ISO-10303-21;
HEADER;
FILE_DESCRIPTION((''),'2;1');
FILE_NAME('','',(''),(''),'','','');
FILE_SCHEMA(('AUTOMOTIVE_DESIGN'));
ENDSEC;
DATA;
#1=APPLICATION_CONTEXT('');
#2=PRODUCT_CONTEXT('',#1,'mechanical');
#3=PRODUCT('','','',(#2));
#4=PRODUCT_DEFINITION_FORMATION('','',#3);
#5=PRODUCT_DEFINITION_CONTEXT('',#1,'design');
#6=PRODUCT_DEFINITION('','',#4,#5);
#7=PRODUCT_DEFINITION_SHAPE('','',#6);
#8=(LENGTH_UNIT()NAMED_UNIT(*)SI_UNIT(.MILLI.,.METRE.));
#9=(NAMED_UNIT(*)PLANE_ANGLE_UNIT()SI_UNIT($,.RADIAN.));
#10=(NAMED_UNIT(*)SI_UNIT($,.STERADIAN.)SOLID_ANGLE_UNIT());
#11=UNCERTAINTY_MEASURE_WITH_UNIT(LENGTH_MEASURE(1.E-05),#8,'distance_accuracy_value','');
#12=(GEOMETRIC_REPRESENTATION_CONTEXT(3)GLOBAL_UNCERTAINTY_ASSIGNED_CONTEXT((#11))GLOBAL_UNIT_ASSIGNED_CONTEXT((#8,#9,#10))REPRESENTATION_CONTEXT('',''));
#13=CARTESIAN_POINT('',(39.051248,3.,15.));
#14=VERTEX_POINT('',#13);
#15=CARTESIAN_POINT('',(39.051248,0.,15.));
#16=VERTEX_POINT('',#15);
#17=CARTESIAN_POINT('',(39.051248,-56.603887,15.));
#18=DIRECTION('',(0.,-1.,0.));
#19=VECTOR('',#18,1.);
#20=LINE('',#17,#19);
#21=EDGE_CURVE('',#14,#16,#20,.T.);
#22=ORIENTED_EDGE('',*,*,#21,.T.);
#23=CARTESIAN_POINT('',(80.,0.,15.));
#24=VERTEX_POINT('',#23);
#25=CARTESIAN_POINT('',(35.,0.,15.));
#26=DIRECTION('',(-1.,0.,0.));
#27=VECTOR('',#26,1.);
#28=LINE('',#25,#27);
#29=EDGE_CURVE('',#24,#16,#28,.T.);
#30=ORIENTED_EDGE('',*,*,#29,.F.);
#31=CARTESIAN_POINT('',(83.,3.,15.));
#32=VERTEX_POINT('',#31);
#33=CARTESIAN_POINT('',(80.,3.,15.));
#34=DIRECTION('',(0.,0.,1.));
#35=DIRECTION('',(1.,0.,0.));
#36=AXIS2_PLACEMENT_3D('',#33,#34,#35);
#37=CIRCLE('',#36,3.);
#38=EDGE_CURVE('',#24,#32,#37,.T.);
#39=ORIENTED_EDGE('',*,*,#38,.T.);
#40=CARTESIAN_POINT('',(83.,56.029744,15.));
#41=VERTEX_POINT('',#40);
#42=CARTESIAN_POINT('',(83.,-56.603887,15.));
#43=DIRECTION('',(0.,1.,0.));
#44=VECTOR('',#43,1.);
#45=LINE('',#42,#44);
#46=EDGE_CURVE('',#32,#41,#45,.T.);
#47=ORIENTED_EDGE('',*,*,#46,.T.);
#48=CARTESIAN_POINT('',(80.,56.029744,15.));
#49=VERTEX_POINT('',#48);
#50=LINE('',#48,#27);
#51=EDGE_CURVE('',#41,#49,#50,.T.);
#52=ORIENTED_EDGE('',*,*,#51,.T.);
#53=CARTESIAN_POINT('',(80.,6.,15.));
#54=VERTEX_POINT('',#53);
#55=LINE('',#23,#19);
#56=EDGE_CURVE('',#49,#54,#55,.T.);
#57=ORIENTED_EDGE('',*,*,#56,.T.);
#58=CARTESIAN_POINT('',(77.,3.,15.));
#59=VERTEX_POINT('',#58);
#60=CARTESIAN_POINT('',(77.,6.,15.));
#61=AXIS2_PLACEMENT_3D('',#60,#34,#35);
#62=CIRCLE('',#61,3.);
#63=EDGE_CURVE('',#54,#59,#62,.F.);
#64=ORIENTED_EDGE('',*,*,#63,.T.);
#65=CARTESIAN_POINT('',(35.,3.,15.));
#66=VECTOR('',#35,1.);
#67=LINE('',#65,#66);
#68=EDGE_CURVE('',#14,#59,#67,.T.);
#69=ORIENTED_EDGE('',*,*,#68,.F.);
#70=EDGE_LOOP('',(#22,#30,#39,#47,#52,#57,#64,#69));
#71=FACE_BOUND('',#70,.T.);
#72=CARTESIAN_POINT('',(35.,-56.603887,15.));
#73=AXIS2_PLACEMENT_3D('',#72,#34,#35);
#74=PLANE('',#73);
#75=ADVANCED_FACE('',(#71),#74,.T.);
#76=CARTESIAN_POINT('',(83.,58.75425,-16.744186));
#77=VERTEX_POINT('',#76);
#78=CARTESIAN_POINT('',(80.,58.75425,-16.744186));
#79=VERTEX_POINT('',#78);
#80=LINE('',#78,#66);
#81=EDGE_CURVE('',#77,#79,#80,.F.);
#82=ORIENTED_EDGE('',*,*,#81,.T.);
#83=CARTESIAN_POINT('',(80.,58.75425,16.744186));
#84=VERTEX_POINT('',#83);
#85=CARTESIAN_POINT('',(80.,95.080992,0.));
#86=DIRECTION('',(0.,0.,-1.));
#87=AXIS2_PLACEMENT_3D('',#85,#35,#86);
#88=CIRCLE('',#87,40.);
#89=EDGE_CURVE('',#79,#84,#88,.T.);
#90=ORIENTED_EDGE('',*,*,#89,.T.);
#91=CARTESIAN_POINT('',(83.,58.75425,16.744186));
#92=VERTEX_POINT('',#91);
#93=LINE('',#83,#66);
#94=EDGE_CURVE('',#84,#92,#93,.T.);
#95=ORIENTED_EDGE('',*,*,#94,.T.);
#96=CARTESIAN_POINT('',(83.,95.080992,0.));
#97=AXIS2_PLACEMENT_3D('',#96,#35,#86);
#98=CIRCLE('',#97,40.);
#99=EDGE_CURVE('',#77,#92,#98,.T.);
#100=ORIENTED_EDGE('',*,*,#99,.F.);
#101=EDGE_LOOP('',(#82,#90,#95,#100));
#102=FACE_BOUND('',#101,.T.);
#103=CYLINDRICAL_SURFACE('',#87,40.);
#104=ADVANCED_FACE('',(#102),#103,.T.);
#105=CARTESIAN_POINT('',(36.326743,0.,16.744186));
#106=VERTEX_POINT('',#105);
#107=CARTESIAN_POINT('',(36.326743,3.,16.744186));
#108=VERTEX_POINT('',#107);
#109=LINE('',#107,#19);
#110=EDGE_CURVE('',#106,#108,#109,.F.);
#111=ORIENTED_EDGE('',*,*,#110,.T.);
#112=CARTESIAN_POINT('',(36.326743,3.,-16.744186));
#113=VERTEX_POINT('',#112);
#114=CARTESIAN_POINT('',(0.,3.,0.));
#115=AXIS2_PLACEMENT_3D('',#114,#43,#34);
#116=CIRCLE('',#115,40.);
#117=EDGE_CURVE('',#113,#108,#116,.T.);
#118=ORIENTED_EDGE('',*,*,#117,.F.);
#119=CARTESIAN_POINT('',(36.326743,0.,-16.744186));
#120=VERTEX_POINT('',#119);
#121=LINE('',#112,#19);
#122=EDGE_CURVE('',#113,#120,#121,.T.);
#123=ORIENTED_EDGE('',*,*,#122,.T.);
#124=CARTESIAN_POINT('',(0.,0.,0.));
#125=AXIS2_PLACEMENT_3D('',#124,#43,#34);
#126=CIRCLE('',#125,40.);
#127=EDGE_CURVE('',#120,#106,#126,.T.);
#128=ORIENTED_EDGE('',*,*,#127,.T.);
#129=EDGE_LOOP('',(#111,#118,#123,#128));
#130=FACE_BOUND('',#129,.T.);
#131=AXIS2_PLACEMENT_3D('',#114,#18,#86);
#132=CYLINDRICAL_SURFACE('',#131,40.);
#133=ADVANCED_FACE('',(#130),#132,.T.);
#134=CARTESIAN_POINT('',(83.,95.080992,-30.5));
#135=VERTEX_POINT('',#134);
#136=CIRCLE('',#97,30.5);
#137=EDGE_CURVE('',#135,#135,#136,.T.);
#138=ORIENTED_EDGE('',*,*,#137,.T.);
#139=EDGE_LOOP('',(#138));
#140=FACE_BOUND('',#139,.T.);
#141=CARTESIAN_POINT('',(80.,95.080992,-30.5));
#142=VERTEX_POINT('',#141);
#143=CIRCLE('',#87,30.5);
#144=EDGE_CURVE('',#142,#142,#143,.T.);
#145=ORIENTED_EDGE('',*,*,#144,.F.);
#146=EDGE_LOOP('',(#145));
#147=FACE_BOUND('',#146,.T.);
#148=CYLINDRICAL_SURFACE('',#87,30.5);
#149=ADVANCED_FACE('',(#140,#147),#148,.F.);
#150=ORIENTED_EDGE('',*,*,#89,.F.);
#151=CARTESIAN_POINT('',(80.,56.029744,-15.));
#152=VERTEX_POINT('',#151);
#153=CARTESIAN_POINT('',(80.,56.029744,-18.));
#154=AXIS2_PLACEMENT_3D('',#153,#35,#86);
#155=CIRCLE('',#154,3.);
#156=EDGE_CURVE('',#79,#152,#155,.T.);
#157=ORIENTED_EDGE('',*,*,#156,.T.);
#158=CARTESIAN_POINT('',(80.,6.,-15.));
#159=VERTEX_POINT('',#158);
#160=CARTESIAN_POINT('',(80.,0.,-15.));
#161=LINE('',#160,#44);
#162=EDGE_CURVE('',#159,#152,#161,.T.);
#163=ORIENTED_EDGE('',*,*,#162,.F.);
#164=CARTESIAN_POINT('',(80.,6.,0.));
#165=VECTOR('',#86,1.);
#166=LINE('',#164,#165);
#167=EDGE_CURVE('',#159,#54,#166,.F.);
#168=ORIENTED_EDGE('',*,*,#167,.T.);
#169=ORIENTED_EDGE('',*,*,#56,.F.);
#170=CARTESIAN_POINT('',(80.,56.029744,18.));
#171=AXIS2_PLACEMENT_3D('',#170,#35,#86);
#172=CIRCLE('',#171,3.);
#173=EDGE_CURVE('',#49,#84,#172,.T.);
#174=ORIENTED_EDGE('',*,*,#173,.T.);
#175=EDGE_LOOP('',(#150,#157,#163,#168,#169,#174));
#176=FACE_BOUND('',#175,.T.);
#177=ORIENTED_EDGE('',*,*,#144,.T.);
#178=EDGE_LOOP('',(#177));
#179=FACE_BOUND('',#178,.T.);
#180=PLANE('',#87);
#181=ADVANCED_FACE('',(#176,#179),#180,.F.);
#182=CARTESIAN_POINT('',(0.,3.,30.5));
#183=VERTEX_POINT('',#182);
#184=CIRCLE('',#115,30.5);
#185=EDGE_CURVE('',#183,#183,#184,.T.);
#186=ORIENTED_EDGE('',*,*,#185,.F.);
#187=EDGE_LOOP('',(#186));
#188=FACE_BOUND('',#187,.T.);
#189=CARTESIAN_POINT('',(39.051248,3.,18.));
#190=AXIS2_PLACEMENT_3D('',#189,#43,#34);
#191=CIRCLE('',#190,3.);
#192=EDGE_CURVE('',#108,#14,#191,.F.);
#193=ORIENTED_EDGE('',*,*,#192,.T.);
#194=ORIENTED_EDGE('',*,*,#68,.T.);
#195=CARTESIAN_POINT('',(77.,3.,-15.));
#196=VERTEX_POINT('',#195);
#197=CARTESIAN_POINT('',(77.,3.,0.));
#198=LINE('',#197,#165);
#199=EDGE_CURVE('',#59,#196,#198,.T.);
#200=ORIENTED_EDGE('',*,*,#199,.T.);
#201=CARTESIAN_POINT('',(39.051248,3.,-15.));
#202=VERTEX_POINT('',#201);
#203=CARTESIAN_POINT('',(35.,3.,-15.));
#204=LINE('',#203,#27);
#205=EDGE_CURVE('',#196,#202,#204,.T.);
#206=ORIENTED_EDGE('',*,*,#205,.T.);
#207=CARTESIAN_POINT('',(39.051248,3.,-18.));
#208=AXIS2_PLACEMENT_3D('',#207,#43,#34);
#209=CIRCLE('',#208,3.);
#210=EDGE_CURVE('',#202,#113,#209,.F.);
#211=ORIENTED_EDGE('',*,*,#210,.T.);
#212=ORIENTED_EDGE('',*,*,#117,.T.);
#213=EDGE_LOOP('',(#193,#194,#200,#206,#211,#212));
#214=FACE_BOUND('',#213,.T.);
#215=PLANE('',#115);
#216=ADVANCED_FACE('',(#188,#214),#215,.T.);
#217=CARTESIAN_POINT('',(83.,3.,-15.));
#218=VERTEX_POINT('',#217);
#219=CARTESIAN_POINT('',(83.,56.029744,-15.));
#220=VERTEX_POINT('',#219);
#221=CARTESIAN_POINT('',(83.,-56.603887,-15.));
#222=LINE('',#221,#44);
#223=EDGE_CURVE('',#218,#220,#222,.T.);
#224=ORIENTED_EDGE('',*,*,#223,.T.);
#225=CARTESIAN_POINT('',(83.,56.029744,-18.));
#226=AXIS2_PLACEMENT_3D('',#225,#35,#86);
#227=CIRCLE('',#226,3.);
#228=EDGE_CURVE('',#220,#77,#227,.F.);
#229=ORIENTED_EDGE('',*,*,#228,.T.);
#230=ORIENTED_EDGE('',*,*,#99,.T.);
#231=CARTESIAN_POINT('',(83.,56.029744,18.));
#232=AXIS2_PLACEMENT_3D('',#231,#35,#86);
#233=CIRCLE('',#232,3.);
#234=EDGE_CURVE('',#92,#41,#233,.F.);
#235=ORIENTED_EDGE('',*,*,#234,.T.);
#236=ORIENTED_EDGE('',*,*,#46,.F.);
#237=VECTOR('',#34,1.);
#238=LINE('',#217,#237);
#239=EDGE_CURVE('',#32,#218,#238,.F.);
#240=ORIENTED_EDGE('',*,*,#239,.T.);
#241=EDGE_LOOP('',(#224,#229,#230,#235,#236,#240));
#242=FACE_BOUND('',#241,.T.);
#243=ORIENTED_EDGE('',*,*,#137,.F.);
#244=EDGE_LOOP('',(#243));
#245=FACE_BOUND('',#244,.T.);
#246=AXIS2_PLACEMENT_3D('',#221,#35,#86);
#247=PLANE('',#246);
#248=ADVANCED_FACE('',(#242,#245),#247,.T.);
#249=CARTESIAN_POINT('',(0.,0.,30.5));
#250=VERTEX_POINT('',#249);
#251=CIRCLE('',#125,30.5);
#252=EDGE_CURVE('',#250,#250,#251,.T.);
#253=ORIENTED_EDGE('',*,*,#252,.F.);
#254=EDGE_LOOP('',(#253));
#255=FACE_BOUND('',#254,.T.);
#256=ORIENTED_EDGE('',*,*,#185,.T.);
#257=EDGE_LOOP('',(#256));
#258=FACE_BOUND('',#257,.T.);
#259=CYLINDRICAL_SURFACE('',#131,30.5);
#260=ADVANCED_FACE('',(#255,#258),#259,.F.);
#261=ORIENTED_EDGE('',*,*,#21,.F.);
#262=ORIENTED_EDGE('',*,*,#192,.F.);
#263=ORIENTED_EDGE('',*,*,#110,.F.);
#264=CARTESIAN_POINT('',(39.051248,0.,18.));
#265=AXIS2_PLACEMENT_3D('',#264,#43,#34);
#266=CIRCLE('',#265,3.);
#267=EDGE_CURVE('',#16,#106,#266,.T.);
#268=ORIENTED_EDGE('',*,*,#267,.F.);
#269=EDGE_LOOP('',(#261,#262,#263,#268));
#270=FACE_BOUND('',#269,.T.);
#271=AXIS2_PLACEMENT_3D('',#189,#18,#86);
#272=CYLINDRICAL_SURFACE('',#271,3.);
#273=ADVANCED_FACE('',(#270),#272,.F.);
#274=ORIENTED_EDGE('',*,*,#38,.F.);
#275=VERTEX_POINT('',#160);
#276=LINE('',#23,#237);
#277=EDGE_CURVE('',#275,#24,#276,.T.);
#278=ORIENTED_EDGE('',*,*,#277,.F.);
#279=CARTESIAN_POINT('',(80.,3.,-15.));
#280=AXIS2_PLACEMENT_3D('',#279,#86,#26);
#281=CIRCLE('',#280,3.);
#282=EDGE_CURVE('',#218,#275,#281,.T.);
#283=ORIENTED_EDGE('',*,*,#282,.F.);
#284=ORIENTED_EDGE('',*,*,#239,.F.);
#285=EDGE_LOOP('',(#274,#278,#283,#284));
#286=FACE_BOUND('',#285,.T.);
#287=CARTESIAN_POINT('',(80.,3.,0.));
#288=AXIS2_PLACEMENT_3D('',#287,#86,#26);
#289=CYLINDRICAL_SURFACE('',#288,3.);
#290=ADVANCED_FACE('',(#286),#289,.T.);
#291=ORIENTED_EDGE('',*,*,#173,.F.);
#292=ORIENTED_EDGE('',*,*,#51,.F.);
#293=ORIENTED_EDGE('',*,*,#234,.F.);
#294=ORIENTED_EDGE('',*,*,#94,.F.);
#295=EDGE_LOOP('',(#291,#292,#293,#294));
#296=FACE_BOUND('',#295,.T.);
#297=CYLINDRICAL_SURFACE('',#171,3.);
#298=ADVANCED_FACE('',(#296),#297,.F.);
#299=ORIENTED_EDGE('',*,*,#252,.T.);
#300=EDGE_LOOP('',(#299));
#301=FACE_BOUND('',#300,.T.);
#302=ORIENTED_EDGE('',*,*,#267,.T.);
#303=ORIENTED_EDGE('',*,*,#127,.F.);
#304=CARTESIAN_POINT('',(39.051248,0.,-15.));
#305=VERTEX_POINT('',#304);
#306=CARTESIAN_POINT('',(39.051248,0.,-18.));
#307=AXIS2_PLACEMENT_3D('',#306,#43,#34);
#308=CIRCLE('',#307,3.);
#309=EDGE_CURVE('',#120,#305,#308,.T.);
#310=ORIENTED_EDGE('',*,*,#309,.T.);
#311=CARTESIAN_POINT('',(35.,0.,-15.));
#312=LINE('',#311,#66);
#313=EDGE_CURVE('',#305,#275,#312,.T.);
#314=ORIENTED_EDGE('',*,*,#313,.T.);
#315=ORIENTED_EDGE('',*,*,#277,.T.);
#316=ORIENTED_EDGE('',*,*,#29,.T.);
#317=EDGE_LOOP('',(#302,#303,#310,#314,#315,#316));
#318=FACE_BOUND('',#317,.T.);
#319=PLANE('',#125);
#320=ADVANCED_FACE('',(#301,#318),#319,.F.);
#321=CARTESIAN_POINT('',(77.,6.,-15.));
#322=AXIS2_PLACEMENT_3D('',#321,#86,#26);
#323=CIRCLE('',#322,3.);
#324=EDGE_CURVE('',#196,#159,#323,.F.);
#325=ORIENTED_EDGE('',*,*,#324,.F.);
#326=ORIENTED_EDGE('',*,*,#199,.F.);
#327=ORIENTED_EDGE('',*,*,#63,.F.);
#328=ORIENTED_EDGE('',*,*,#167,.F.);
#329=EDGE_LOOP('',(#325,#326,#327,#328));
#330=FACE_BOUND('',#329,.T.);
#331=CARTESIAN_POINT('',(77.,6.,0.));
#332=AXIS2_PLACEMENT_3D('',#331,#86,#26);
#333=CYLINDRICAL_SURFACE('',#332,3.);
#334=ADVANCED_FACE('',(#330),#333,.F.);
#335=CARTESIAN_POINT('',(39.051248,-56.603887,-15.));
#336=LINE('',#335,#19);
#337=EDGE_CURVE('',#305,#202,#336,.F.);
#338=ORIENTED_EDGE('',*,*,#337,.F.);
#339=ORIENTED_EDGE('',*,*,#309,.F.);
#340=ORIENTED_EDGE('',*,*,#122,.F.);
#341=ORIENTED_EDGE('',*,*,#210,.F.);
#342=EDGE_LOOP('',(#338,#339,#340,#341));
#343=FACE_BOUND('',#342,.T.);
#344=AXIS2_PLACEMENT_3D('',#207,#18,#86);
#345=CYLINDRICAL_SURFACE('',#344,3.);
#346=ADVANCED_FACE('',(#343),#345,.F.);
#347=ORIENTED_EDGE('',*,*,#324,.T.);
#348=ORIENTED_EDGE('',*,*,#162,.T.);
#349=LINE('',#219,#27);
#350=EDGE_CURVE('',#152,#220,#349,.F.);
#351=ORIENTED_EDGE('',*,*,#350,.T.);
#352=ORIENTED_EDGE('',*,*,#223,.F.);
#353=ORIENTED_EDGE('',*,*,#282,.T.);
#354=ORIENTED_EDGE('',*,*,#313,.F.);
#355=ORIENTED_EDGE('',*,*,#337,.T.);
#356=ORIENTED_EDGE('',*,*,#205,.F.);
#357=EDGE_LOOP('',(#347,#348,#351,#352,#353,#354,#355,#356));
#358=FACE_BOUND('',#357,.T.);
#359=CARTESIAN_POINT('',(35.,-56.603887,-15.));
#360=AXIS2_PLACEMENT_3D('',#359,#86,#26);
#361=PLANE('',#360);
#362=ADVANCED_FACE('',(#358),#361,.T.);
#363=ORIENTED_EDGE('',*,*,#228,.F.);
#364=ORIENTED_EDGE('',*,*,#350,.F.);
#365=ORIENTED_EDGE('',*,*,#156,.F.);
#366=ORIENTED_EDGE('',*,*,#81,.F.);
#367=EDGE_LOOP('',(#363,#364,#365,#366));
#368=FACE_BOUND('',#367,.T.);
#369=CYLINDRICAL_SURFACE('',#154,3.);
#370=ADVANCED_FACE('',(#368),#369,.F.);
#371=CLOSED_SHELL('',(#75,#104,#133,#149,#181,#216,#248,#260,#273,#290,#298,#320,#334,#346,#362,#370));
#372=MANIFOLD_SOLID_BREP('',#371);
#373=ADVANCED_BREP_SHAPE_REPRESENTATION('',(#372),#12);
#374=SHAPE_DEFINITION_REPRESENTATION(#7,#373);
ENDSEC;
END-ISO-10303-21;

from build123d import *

# Parameters (mm, degrees)
SKETCH1_R           = 40
SKETCH1_R_2         = 30.5
BOSS_EXTRUDE1_DEPTH = 3
SKETCH2_W           = 48
SKETCH2_H           = 30
BOSS_EXTRUDE2_DEPTH = 3
SKETCH3_R           = 30.5
BOSS_EXTRUDE3_DEPTH = 3
FILLET1_R           = 3
FILLET2_R           = 3


with BuildPart() as part:
    # Sketch1 → Boss-Extrude1 (new body)
    with BuildSketch(Plane(origin=(0, 0, 0), x_dir=(1, 0, 0), z_dir=(0, 1, 0))):
        Circle(SKETCH1_R)
        Circle(SKETCH1_R_2, mode=Mode.SUBTRACT)
    extrude(amount=BOSS_EXTRUDE1_DEPTH)

    # Sketch2 → Boss-Extrude2 (add)
    with BuildSketch(Plane(origin=(0, 3, 0), x_dir=(1, 0, 0), z_dir=(0, 1, 0))):
        with Locations((59, 0)):
            Rectangle(SKETCH2_W, SKETCH2_H)
    extrude(amount=-BOSS_EXTRUDE2_DEPTH)

    # Sketch3 → Boss-Extrude3 (add)
    with BuildSketch(Plane(origin=(83, 0, 0), x_dir=(0, 0, -1), z_dir=(1, 0, 0))):
        with BuildLine():
            Line((-15, 0), (15, 0))
            Line((15, 0), (15, 58))
            ThreePointArc((15, 58), (0, 135.080992435), (-15, 58))
            Line((-15, 58), (-15, 0))
        make_face()
        with Locations((0, 95.080992435)):
            Circle(SKETCH3_R, mode=Mode.SUBTRACT)
    extrude(amount=-BOSS_EXTRUDE3_DEPTH)

    # Fillet1
    fillet1_edges = [part.edges().sort_by_distance(p)[0] for p in [
        (37.080992435, 1.5, 15),
        (37.080992435, 1.5, -15),
        (81.5, 58, 15),
        (81.5, 58, -15),
    ]]
    fillet(fillet1_edges, radius=FILLET1_R)

    # Fillet2
    fillet2_edges = [part.edges().sort_by_distance(p)[0] for p in [
        (83, 0, 0),
        (80, 3, 0),
    ]]
    fillet(fillet2_edges, radius=FILLET2_R)


solid = part.part
